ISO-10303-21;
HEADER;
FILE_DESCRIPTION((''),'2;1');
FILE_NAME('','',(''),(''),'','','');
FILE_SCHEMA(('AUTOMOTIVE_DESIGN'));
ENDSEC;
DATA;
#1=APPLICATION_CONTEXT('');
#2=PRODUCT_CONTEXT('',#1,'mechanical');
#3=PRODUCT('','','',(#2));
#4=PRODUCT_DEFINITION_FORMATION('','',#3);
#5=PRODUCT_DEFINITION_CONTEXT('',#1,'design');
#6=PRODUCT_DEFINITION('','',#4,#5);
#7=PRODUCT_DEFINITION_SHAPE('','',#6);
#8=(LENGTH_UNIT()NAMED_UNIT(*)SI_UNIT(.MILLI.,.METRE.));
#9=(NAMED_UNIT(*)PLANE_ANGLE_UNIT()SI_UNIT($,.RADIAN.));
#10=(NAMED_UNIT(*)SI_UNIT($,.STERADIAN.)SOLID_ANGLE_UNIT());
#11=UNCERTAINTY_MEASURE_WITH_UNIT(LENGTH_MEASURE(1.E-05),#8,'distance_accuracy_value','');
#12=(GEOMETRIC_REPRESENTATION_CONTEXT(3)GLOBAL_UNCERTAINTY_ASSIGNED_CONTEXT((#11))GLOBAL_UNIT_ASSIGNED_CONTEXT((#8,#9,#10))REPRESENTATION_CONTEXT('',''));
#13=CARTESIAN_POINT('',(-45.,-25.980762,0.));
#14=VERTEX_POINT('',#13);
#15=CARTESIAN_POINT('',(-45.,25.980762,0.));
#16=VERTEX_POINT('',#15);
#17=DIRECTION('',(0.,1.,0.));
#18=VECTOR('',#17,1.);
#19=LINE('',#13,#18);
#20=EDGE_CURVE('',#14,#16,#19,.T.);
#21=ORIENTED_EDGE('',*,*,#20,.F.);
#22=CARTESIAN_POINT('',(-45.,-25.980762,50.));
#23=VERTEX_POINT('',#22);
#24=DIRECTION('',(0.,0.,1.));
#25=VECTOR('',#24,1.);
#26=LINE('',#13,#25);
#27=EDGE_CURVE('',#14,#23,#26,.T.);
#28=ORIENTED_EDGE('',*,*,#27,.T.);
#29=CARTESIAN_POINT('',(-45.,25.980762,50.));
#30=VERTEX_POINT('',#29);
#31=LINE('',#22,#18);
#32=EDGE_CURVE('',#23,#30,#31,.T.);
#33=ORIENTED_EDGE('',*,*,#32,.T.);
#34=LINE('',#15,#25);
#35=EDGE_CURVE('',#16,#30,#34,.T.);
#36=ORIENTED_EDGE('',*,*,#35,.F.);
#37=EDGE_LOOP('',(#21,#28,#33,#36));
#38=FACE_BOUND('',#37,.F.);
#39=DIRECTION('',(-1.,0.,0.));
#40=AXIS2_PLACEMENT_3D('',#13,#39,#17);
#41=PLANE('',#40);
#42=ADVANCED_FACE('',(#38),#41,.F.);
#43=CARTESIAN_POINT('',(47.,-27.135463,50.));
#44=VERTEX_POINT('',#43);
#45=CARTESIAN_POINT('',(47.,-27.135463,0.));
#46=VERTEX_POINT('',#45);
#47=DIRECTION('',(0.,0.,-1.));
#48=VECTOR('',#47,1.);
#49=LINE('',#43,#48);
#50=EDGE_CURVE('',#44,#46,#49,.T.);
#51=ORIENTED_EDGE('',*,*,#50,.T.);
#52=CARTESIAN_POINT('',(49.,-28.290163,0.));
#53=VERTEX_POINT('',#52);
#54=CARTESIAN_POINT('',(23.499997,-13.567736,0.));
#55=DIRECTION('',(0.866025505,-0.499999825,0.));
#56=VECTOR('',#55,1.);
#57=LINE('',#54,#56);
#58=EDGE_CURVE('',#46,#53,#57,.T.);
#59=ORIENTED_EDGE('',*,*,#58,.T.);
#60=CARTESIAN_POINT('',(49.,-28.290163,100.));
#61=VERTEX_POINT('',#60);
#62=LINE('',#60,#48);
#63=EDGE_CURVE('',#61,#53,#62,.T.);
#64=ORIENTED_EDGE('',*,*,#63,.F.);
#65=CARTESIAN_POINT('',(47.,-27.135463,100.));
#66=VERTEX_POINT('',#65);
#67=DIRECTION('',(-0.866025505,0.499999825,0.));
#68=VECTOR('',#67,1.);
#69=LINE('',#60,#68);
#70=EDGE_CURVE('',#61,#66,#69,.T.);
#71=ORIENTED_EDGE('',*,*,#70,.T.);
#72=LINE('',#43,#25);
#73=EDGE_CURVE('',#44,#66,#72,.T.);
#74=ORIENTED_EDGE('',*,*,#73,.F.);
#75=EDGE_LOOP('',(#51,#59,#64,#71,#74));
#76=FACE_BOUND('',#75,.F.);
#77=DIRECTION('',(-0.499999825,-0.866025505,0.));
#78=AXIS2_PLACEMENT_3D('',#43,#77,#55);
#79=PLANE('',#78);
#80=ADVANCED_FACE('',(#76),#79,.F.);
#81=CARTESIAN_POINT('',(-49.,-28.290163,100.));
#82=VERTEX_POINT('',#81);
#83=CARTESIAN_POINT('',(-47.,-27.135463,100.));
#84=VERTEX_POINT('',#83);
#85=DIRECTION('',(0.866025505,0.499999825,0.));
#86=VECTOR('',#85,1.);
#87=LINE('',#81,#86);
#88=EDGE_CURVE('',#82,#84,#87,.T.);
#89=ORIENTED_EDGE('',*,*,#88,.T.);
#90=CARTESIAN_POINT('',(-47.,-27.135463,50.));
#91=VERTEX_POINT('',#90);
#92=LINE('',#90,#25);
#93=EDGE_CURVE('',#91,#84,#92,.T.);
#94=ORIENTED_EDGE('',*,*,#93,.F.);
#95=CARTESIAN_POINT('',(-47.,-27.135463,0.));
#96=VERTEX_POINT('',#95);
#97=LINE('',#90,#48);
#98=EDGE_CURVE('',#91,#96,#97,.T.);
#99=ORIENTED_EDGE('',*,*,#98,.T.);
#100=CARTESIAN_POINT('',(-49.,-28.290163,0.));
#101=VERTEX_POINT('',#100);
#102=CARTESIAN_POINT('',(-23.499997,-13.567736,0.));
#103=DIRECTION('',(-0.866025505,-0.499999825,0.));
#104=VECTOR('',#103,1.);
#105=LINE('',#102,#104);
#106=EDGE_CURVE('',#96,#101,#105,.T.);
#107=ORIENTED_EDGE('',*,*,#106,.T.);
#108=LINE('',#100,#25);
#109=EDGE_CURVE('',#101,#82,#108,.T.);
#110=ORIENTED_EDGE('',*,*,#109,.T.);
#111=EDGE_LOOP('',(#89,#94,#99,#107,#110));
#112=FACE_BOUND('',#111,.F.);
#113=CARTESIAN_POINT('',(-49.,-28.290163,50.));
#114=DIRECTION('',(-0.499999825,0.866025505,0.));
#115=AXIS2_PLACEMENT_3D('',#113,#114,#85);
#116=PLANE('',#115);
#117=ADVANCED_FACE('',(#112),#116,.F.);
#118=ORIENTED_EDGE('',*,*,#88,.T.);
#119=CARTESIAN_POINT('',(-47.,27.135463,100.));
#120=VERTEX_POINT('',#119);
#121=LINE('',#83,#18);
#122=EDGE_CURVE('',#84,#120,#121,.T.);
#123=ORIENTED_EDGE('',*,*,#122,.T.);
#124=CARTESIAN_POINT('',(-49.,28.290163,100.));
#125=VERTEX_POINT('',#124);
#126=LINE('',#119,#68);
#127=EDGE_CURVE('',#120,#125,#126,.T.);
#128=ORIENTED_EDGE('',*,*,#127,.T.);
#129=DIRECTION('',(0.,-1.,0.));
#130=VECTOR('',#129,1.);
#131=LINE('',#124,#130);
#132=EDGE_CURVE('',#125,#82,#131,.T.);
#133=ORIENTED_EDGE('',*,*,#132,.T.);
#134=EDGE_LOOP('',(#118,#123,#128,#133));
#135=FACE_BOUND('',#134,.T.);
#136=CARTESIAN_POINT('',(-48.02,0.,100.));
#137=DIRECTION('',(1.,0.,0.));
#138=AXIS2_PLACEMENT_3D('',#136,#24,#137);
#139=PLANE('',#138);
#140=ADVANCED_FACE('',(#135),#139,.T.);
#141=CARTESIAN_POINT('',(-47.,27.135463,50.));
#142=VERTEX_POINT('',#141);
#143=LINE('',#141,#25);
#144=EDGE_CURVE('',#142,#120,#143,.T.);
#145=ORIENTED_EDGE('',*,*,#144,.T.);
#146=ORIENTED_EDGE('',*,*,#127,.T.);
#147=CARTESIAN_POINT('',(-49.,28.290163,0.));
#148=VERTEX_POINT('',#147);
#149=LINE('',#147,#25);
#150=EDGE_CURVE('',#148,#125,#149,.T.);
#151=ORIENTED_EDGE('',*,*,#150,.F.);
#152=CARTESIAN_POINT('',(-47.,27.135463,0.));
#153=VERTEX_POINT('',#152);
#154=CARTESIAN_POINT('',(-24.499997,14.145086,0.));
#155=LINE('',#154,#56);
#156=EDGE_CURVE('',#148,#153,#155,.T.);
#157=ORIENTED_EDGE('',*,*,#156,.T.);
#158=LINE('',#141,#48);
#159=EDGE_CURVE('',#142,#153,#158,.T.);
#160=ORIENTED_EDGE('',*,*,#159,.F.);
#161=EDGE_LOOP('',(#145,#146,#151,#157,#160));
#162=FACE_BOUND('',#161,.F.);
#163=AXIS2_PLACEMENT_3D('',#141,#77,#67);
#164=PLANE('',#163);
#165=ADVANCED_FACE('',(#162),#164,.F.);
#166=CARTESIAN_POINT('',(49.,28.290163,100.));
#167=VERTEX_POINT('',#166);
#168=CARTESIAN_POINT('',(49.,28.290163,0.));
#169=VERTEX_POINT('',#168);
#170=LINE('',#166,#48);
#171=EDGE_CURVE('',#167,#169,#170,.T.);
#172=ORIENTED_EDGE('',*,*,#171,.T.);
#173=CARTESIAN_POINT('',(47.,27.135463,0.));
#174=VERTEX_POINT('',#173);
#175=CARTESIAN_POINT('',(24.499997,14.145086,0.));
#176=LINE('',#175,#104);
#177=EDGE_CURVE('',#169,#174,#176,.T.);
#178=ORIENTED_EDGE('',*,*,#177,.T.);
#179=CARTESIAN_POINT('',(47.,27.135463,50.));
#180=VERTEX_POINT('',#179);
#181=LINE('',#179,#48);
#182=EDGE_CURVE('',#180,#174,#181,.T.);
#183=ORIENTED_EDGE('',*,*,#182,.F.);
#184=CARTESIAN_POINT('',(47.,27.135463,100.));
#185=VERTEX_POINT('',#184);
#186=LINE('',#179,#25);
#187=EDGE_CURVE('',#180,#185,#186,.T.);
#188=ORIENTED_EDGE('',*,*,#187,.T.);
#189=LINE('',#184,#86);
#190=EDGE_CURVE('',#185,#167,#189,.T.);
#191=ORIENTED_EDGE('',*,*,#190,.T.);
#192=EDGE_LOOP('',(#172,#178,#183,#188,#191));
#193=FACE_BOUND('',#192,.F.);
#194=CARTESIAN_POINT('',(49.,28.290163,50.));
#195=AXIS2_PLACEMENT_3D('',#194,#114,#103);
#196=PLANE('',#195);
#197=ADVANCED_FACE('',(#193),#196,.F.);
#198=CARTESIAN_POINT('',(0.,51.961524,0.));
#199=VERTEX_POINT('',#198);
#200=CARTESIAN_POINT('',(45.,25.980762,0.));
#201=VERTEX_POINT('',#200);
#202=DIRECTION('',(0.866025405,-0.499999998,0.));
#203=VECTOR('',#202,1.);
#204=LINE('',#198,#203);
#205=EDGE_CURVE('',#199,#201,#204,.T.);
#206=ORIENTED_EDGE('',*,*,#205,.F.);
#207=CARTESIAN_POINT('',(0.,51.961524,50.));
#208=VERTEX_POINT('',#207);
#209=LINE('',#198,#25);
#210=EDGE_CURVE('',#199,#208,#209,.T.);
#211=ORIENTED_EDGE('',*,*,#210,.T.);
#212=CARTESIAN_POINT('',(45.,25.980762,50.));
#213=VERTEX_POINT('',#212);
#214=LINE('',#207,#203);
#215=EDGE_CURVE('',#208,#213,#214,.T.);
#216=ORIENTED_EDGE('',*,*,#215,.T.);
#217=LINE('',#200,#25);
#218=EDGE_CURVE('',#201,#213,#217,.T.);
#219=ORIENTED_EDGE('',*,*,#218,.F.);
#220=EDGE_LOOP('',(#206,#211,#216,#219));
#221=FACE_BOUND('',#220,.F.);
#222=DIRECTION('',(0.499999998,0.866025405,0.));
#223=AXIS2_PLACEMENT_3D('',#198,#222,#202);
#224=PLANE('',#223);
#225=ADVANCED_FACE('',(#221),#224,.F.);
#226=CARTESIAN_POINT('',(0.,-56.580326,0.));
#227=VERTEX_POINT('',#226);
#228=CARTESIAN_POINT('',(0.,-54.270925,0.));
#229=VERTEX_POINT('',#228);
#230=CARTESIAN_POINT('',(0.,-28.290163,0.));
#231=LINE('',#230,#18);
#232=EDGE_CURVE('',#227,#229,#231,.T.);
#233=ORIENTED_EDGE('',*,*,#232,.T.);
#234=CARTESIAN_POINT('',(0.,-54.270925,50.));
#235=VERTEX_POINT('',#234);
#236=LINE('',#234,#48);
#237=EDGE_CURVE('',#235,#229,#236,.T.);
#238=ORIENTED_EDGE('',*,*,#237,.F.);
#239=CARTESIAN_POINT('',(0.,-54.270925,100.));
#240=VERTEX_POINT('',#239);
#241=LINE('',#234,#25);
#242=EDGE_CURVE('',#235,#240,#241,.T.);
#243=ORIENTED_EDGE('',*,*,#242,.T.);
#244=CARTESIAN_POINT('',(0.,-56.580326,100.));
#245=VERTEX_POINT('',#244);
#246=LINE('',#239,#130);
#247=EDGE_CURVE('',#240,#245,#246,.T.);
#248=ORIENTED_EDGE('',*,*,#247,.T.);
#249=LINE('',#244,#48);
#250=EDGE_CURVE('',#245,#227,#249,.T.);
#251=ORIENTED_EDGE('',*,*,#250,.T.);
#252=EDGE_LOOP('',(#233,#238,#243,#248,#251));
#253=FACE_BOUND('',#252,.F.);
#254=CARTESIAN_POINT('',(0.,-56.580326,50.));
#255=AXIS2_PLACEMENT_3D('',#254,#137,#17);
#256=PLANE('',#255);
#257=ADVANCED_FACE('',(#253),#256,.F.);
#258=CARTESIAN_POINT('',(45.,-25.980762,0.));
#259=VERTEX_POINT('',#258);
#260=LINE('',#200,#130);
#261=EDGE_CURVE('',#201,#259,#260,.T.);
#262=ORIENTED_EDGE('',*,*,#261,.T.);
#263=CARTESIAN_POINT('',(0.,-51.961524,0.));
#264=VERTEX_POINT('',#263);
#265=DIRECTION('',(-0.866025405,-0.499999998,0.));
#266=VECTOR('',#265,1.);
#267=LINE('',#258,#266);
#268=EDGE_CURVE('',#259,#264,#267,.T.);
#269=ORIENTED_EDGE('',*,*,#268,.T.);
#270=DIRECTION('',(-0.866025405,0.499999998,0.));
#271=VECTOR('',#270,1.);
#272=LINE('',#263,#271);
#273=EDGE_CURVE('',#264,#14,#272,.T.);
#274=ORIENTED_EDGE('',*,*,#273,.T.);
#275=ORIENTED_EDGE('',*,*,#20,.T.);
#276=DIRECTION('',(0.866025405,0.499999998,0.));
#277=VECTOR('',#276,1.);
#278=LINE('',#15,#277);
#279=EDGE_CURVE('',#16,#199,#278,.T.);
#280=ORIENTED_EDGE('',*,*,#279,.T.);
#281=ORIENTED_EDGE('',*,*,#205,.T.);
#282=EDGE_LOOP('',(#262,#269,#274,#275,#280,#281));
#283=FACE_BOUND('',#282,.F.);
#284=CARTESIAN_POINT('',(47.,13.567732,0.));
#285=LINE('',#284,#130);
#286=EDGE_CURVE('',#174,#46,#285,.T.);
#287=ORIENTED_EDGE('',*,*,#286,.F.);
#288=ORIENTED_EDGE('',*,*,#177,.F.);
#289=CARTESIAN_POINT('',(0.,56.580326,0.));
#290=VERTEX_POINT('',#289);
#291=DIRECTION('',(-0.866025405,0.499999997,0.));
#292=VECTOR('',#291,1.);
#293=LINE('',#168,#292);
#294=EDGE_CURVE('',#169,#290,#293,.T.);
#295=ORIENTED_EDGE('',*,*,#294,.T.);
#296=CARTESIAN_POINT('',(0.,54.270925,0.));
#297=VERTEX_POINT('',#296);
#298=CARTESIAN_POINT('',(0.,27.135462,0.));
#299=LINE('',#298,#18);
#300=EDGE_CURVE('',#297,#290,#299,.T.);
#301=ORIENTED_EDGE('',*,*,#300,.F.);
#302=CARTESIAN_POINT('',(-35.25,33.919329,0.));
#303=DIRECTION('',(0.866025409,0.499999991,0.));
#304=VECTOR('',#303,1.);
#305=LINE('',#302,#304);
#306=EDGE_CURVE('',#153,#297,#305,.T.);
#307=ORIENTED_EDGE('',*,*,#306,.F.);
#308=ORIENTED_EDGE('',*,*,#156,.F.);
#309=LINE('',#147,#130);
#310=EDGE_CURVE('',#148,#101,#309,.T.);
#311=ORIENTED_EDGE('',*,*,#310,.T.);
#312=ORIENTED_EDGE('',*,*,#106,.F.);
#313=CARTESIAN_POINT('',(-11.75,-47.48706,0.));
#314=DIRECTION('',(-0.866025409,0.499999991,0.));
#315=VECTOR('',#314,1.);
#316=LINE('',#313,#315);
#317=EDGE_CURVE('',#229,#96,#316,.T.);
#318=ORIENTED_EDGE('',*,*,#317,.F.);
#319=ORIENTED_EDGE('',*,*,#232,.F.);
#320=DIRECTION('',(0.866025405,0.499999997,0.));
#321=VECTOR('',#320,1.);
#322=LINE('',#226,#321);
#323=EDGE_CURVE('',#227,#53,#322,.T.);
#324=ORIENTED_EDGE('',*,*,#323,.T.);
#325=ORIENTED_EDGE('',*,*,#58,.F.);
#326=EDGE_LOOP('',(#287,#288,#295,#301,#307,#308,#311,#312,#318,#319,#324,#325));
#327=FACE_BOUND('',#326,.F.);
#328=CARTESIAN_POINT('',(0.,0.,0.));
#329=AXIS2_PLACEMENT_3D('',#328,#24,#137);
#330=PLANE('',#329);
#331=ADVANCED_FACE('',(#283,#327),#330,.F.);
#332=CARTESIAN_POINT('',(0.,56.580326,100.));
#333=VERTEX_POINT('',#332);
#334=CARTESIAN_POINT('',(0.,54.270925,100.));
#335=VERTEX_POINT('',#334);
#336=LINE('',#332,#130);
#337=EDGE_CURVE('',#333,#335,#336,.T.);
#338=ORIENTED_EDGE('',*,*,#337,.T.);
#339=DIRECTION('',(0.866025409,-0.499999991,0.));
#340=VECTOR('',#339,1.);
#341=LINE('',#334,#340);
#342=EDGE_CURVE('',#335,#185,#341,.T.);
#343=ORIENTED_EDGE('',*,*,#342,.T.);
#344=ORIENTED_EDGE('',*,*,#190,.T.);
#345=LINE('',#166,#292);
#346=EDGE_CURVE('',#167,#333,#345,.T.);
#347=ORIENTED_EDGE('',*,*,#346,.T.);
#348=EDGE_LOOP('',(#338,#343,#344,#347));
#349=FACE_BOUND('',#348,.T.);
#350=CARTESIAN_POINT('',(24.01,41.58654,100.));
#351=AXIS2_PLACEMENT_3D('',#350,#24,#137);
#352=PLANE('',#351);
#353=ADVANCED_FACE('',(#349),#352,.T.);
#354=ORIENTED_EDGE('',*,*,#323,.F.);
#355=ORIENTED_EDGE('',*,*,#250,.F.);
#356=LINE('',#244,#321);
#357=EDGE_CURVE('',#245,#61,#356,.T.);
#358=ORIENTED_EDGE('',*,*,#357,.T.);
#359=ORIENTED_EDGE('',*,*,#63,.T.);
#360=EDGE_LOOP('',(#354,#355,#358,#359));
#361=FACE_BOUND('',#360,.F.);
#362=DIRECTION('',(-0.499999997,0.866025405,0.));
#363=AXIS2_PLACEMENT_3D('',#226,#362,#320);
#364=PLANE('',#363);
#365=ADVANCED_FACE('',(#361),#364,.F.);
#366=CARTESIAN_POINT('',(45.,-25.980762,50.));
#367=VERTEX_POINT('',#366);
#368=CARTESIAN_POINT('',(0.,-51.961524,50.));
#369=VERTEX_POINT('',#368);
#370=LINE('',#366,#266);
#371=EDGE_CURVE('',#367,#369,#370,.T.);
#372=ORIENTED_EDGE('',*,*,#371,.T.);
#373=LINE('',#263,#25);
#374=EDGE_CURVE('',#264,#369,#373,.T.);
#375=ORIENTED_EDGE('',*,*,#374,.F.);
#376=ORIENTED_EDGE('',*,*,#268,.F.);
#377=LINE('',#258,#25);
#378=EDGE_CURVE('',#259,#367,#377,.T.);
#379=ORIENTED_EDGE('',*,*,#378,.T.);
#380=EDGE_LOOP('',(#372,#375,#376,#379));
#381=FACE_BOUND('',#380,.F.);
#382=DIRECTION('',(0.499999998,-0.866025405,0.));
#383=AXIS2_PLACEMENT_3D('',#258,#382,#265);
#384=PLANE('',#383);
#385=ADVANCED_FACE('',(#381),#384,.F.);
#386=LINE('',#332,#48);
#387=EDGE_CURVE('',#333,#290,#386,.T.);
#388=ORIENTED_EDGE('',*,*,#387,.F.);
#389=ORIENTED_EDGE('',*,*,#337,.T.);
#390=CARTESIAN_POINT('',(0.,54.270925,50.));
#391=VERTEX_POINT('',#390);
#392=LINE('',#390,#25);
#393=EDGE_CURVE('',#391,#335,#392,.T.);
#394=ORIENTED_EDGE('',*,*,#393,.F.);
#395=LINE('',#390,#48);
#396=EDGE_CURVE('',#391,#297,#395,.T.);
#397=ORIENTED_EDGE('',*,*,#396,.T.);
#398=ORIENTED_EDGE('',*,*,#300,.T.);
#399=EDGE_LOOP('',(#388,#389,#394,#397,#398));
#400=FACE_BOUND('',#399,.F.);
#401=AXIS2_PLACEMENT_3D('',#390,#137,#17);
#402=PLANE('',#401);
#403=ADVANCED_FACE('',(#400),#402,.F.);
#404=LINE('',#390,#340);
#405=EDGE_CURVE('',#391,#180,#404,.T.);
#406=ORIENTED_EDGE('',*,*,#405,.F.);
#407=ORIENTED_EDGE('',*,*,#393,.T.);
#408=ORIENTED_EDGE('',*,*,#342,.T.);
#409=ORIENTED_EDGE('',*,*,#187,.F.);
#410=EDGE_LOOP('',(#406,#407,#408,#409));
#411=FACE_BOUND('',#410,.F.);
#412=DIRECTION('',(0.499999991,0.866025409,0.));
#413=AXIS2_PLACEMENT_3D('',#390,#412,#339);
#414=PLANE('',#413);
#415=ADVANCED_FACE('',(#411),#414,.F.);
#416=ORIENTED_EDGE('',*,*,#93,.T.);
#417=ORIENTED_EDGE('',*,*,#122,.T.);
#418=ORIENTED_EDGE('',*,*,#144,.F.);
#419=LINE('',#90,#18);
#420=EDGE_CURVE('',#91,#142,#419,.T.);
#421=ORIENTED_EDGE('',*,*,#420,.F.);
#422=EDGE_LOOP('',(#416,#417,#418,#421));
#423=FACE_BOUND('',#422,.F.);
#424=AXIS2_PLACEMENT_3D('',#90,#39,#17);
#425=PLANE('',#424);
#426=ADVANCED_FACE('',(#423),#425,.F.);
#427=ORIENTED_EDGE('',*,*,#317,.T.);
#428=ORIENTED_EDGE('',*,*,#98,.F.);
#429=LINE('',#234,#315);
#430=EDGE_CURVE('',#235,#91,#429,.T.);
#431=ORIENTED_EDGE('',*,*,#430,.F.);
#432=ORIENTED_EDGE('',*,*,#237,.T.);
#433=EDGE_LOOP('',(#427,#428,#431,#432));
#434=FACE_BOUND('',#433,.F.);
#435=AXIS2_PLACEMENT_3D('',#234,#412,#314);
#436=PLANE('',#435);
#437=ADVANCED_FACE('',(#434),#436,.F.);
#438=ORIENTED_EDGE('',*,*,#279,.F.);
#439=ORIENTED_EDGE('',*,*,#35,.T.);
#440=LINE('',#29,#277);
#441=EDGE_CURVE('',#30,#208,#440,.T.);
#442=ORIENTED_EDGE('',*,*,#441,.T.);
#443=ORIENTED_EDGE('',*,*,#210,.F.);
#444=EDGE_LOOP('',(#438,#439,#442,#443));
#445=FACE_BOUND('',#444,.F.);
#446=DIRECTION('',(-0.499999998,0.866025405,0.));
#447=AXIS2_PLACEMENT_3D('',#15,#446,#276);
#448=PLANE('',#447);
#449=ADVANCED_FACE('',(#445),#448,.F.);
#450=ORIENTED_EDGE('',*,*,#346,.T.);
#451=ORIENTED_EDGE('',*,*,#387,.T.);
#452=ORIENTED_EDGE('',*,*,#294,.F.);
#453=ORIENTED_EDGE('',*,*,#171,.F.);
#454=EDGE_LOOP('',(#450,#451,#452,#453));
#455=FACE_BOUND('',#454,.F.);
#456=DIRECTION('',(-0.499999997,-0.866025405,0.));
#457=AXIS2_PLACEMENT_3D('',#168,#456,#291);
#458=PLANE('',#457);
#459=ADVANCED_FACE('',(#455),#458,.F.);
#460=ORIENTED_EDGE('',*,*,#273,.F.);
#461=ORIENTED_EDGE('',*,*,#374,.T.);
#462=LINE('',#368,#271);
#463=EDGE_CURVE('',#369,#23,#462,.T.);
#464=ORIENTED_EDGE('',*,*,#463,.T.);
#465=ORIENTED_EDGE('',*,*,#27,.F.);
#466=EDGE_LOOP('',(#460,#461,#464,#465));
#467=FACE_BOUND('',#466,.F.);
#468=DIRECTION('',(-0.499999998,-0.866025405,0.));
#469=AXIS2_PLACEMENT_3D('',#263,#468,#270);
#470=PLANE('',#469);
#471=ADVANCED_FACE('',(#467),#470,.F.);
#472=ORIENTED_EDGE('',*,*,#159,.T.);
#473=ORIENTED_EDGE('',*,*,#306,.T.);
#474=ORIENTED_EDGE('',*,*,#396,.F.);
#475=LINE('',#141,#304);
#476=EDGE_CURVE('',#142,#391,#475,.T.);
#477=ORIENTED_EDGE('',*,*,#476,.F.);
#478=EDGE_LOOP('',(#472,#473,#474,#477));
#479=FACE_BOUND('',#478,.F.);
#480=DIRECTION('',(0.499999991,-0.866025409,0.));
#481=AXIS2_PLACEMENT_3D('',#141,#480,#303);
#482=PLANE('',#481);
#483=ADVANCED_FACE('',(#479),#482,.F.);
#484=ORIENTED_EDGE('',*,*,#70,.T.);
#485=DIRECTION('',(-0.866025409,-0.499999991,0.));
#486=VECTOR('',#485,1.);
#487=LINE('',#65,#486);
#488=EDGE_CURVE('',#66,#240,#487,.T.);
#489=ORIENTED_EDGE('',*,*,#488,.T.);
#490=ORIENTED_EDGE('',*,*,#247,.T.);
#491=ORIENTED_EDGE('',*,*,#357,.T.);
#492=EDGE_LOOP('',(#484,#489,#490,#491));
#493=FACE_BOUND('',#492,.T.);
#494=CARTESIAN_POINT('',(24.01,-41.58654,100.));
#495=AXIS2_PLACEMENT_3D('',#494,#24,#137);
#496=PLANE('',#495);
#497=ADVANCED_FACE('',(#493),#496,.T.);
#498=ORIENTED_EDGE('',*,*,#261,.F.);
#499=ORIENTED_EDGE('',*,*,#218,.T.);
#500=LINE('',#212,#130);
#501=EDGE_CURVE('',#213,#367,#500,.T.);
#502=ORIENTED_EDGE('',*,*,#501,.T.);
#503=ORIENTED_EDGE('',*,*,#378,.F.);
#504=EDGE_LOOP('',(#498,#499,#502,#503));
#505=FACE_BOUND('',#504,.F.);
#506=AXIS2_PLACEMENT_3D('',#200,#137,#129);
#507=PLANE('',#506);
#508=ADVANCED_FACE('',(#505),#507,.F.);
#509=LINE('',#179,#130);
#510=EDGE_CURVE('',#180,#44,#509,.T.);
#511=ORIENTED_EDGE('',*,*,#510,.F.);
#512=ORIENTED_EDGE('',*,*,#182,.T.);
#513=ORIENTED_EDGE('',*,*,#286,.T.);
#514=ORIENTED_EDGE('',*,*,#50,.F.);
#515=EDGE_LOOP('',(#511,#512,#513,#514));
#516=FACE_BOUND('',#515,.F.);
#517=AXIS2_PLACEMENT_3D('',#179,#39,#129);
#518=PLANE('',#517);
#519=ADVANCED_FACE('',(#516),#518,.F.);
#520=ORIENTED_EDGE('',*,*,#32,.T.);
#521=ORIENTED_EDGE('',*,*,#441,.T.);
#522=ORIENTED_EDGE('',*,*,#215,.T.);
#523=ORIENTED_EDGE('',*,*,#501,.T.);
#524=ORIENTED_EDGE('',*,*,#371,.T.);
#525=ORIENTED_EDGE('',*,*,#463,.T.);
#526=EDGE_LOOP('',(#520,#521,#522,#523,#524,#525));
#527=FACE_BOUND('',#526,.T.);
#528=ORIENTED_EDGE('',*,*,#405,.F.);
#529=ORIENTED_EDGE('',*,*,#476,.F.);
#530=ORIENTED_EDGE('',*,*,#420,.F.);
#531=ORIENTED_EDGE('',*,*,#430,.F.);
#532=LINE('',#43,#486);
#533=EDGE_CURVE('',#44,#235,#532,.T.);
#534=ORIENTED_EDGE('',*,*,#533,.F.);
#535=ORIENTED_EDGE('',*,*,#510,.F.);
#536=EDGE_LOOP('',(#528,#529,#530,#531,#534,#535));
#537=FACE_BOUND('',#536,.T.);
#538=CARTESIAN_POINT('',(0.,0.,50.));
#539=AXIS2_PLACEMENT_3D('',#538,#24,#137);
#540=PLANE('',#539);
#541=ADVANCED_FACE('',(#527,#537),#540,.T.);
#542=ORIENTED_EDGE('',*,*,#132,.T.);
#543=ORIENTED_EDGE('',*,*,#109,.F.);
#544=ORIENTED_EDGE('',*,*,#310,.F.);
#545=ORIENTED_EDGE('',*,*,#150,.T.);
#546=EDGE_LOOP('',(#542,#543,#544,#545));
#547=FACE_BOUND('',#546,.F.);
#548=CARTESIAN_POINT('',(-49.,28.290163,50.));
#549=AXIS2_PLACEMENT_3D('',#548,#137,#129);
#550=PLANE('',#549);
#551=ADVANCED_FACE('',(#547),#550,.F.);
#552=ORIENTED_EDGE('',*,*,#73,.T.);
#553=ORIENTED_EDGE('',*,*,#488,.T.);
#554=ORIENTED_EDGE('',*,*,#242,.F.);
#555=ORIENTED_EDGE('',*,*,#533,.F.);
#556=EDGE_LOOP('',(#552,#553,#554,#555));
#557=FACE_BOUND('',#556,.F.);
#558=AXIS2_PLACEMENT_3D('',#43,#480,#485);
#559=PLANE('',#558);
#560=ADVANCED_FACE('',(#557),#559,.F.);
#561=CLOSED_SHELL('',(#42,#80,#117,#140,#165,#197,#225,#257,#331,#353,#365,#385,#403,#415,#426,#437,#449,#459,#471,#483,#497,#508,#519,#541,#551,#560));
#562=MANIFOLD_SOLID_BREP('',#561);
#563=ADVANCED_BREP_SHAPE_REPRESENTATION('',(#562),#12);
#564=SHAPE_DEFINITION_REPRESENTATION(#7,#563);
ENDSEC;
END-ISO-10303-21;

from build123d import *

# Parameters (mm, degrees)
F1_DEPTH = 50
F3_DEPTH = 50.001
F5_DEPTH = 50


with BuildPart() as f1:
    # F0 (on Top) → F1 (new body)
    with BuildSketch(Plane.XY):
        Polygon((-49, 28.290163), (-49, -28.290163), (0, -56.580326), (49, -28.290163), (49, 28.290163), (0, 56.580326), align=None)
        Polygon((0, -51.961524), (-45, -25.980762), (-45, 25.980762), (0, 51.961524), (45, 25.980762), (45, -25.980762), align=None, mode=Mode.SUBTRACT)
    extrude(amount=F1_DEPTH)

    # F2 (on face) → F3 (cut, through all)
    with BuildSketch(Plane.XY.offset(50)):
        Polygon((0, 56.580326), (-49, 28.290163), (-47, 27.135463), (0, 54.270925), align=None)
        Polygon((49, -28.290163), (49, 28.290163), (47, 27.135463), (47, -27.135463), align=None)
        Polygon((-47, -27.135463), (-49, -28.290163), (0, -56.580326), (0, -54.270925), align=None)
    extrude(amount=-F3_DEPTH, mode=Mode.SUBTRACT)

    # F4 (on face) → F5 (join)
    with BuildSketch(Plane.XY.offset(50)):
        Polygon((-47, 27.135463), (-49, 28.290163), (-49, -28.290163), (-47, -27.135463), align=None)
        Polygon((49, 28.290163), (0, 56.580326), (0, 54.270925), (47, 27.135463), align=None)
        Polygon((0, -54.270925), (0, -56.580326), (49, -28.290163), (47, -27.135463), align=None)
    extrude(amount=F5_DEPTH)


solid = f1.part
